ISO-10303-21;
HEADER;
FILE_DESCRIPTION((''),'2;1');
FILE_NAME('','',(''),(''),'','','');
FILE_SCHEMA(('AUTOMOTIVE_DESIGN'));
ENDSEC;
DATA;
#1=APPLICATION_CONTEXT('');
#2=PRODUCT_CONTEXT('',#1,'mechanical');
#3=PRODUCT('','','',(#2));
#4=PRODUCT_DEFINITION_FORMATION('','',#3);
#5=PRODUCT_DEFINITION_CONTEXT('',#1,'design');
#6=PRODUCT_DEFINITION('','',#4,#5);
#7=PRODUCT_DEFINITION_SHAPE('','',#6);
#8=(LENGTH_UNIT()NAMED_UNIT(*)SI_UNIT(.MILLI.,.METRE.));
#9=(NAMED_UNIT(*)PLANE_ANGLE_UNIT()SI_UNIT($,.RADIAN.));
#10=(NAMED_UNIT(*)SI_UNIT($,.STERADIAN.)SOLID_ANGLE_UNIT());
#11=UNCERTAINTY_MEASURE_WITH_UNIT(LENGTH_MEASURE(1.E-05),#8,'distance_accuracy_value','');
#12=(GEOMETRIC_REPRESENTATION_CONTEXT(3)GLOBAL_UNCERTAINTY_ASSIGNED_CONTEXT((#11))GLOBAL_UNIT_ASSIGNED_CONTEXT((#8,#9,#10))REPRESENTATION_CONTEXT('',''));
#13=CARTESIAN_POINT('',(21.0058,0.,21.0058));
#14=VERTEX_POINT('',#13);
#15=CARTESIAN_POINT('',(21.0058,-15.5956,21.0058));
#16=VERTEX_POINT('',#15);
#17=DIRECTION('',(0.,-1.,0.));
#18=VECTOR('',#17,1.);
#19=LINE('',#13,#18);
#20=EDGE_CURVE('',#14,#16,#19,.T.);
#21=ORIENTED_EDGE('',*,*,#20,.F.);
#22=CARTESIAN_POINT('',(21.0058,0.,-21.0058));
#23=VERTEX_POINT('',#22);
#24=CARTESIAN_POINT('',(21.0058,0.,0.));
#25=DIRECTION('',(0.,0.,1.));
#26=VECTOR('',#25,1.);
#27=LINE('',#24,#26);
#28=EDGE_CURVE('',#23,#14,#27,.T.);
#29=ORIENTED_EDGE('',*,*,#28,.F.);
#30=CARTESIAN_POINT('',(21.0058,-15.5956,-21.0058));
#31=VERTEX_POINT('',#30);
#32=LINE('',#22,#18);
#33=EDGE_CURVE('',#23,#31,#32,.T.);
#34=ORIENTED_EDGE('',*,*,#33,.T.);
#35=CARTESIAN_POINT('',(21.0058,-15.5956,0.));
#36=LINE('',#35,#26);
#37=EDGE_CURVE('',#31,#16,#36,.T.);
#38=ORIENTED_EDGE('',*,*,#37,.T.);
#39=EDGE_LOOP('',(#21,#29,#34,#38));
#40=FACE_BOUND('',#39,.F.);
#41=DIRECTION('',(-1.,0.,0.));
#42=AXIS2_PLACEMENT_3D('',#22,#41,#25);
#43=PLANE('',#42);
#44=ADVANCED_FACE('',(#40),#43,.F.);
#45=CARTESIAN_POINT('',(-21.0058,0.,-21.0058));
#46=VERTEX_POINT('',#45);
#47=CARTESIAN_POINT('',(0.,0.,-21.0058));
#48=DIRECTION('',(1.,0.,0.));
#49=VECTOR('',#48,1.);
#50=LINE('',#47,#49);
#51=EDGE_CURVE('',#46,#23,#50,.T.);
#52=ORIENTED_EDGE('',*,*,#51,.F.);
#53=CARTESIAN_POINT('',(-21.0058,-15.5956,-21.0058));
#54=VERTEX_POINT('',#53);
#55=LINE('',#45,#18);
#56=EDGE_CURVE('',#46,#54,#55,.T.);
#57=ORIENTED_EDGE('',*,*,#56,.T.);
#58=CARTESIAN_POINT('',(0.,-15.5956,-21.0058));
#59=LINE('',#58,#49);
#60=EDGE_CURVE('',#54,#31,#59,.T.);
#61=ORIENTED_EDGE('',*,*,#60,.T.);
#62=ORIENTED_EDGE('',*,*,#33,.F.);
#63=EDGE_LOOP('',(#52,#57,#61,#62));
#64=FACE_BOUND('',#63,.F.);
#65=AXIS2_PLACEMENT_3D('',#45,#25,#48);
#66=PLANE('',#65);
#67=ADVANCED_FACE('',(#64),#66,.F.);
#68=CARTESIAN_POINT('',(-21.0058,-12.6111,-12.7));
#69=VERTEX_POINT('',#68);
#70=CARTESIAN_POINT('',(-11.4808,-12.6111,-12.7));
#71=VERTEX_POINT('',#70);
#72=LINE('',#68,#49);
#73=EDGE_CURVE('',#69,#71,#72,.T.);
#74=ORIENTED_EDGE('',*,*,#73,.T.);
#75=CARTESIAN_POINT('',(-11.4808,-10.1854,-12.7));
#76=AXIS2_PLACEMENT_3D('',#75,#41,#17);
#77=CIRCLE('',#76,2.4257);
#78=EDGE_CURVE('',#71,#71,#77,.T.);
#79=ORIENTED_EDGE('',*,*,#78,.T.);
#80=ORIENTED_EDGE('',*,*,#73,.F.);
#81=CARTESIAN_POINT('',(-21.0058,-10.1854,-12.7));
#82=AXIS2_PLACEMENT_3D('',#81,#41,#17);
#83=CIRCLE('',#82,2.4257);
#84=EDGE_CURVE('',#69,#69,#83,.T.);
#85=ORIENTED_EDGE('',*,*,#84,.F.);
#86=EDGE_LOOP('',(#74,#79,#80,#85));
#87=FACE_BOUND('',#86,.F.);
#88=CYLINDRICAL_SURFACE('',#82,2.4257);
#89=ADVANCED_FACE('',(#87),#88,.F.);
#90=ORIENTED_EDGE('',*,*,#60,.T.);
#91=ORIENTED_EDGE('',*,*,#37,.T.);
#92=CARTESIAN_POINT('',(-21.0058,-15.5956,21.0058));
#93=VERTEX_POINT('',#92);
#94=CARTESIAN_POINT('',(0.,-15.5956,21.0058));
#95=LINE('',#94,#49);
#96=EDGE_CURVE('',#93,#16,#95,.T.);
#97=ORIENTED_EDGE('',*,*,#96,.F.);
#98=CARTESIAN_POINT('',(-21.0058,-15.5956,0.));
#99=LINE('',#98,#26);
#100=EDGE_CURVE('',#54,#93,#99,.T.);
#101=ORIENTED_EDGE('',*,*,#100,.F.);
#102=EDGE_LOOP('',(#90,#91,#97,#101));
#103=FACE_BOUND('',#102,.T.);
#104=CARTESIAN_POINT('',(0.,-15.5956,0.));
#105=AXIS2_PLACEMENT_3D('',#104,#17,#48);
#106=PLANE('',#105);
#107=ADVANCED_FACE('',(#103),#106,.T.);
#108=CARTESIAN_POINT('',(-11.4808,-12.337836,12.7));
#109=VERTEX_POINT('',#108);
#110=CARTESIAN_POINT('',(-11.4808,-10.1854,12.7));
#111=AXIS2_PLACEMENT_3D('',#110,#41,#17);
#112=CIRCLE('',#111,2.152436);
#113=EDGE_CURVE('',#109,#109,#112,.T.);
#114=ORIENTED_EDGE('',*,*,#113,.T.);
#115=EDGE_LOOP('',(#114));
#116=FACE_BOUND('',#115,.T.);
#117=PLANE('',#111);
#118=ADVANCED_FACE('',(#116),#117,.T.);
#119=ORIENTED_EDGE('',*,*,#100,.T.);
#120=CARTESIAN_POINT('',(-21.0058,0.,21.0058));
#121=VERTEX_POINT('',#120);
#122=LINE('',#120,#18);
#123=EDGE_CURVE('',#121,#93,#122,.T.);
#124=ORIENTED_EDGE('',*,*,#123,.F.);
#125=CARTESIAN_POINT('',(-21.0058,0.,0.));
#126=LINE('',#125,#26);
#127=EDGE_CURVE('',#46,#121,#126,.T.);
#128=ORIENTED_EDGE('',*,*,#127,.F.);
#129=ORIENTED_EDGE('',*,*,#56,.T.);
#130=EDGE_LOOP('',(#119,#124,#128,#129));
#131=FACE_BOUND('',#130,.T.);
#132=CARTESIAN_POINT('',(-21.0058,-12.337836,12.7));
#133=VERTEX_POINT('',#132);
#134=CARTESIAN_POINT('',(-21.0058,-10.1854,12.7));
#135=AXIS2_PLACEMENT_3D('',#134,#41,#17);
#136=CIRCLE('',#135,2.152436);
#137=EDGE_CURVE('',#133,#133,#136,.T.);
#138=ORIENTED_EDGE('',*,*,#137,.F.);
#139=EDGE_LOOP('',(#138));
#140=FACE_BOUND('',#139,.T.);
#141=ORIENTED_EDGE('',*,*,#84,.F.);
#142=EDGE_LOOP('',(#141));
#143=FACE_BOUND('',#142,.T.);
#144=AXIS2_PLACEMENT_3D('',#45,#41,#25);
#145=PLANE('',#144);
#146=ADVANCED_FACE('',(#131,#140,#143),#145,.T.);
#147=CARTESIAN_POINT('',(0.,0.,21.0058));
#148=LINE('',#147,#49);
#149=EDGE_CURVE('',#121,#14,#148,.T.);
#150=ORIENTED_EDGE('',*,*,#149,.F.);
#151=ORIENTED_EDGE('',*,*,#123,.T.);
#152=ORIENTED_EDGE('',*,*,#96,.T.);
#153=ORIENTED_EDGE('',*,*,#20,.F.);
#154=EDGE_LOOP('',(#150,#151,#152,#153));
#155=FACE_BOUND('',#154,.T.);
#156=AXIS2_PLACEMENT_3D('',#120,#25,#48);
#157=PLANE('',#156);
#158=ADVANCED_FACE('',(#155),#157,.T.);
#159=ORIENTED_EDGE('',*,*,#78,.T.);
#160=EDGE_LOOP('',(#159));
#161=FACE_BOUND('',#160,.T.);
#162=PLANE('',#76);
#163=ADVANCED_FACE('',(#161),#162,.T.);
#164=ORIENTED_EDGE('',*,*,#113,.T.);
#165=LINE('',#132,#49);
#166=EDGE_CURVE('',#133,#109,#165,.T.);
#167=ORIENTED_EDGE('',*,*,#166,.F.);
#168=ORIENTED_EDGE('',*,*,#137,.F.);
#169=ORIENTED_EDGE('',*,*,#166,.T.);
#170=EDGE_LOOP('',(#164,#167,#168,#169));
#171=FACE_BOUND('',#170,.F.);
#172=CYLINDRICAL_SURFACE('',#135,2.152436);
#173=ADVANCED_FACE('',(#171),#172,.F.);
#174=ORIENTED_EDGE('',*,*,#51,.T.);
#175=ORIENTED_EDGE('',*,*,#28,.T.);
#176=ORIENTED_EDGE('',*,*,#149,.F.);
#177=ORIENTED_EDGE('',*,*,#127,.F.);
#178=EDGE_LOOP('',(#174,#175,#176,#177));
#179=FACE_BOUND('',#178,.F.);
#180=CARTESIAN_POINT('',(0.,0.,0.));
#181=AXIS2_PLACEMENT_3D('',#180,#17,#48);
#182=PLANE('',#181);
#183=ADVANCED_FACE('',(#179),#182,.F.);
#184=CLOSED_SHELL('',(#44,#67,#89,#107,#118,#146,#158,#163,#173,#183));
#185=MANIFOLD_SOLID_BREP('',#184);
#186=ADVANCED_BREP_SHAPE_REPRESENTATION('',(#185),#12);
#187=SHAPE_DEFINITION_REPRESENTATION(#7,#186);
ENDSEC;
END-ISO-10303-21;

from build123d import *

# Parameters (mm, degrees)
F0_W     = 42.0116
F0_H     = 42.0116
F1_DEPTH = 15.5956
F2_R     = 2.152436
F2_R_2   = 2.4257
F3_DEPTH = 9.525


with BuildPart() as f1:
    # F0 (on Front) → F1 (new body)
    with BuildSketch(Plane.XZ):
        Rectangle(F0_W, F0_H)
    extrude(amount=F1_DEPTH)

    # F2 (on face) → F3 (cut)
    with BuildSketch(Plane(origin=(-21.0058, 0, 0), x_dir=(0, -1, 0), z_dir=(-1, 0, 0))):
        with Locations((10.1854, 12.7)):
            Circle(F2_R)
        with Locations((10.1854, -12.7)):
            Circle(F2_R_2)
    extrude(amount=-F3_DEPTH, mode=Mode.SUBTRACT)


solid = f1.part
